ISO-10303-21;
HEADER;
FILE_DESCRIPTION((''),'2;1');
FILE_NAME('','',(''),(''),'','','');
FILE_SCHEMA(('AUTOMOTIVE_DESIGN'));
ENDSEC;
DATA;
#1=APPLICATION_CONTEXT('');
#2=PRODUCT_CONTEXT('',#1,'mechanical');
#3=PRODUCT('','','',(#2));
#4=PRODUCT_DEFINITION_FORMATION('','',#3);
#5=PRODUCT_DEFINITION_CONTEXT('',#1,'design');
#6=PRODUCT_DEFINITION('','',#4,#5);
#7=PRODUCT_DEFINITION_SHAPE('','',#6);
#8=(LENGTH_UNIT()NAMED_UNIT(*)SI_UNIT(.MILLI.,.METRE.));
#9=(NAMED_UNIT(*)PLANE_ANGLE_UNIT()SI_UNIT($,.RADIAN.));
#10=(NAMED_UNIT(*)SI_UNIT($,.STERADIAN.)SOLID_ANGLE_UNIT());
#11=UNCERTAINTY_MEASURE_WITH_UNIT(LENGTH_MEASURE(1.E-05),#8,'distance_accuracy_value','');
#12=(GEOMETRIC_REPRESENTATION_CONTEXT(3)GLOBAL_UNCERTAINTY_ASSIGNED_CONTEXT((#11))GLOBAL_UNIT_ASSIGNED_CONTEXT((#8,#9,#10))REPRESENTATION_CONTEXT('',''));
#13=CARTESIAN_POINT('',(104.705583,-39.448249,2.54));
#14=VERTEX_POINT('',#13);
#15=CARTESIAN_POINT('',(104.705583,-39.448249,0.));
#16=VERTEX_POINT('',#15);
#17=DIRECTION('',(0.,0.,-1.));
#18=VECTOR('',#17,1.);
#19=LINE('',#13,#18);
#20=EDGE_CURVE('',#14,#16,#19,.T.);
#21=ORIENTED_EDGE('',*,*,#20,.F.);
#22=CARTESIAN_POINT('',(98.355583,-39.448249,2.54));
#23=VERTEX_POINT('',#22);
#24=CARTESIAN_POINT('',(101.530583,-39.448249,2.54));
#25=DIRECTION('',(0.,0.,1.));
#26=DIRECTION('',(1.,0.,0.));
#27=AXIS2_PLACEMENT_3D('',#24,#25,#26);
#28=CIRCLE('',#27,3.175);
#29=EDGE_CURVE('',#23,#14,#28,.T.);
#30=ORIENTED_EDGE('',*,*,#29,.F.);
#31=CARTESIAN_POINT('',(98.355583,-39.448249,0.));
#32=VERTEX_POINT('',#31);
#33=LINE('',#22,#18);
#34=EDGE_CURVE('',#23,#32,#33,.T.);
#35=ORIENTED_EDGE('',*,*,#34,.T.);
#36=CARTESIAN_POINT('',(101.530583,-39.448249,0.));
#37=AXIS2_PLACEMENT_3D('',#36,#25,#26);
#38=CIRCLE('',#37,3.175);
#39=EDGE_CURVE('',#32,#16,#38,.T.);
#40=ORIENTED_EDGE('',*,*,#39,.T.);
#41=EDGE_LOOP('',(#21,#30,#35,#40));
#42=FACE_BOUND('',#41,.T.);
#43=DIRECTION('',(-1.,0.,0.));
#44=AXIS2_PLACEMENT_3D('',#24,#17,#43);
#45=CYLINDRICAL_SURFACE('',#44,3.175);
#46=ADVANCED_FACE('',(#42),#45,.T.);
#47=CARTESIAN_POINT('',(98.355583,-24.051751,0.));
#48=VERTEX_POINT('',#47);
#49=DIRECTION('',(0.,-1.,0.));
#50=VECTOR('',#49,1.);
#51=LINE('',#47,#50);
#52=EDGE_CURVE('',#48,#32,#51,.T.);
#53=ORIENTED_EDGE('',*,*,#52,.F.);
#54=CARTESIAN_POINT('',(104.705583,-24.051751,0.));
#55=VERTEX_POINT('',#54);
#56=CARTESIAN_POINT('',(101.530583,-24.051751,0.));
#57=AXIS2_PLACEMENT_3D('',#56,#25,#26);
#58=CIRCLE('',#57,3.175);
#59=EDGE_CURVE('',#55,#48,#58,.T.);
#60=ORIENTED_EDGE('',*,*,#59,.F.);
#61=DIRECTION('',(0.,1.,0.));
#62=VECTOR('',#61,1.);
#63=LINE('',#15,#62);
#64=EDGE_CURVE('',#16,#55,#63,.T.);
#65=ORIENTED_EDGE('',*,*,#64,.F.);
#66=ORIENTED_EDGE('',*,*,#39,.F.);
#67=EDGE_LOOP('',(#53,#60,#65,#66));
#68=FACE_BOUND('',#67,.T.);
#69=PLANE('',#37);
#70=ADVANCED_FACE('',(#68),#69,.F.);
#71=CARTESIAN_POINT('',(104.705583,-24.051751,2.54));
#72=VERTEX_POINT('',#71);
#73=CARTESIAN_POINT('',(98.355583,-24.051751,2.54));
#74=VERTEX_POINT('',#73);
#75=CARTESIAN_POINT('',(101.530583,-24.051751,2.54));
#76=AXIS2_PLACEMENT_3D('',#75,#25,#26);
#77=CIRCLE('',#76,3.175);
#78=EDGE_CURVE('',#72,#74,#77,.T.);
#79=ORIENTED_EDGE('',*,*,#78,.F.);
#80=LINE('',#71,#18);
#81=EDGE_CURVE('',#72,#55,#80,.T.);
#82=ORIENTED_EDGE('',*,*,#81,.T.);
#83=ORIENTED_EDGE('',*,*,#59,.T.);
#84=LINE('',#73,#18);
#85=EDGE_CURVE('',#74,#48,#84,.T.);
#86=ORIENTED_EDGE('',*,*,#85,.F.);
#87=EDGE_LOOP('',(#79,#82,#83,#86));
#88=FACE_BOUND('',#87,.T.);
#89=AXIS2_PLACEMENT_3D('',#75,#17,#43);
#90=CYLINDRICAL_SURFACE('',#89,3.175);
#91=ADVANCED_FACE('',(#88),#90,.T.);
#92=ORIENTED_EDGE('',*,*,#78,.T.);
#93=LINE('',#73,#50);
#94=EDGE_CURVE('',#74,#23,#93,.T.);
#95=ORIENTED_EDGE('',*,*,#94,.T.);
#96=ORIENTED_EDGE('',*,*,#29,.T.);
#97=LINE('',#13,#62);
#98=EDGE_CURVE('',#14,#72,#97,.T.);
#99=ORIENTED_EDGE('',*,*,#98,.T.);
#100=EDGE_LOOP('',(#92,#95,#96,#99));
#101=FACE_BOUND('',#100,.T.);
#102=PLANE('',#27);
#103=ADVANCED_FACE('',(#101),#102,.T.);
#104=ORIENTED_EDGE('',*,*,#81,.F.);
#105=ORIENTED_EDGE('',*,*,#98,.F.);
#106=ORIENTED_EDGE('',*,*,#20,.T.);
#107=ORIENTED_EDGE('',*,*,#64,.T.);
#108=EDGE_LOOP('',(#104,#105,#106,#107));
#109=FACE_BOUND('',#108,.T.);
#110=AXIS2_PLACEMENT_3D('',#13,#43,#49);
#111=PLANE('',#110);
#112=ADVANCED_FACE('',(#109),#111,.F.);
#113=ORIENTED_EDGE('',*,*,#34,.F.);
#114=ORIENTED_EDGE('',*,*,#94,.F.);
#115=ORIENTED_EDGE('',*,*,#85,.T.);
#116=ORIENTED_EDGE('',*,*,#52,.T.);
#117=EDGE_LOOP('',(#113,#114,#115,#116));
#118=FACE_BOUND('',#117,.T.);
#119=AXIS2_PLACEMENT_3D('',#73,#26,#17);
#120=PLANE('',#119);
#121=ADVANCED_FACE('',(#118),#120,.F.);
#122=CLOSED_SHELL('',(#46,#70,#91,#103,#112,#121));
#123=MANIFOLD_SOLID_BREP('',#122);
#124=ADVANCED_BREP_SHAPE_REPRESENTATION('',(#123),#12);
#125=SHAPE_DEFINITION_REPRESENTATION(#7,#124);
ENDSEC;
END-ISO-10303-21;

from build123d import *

# Parameters (mm, degrees)
BOSS_EXTRUDE1_DEPTH = 2.54


with BuildPart() as part:
    # Sketch1 → Boss-Extrude1 (new body)
    with BuildSketch(Plane.XY):
        with BuildLine():
            Line((104.705582605, -39.448248577), (104.705582605, -24.051751423))
            ThreePointArc((104.705582605, -24.051751423), (101.530582605, -20.876751423), (98.355582605, -24.051751423))
            Line((98.355582605, -24.051751423), (98.355582605, -39.448248577))
            ThreePointArc((98.355582605, -39.448248577), (101.530582605, -42.623248577), (104.705582605, -39.448248577))
        make_face()
    extrude(amount=BOSS_EXTRUDE1_DEPTH)


solid = part.part
